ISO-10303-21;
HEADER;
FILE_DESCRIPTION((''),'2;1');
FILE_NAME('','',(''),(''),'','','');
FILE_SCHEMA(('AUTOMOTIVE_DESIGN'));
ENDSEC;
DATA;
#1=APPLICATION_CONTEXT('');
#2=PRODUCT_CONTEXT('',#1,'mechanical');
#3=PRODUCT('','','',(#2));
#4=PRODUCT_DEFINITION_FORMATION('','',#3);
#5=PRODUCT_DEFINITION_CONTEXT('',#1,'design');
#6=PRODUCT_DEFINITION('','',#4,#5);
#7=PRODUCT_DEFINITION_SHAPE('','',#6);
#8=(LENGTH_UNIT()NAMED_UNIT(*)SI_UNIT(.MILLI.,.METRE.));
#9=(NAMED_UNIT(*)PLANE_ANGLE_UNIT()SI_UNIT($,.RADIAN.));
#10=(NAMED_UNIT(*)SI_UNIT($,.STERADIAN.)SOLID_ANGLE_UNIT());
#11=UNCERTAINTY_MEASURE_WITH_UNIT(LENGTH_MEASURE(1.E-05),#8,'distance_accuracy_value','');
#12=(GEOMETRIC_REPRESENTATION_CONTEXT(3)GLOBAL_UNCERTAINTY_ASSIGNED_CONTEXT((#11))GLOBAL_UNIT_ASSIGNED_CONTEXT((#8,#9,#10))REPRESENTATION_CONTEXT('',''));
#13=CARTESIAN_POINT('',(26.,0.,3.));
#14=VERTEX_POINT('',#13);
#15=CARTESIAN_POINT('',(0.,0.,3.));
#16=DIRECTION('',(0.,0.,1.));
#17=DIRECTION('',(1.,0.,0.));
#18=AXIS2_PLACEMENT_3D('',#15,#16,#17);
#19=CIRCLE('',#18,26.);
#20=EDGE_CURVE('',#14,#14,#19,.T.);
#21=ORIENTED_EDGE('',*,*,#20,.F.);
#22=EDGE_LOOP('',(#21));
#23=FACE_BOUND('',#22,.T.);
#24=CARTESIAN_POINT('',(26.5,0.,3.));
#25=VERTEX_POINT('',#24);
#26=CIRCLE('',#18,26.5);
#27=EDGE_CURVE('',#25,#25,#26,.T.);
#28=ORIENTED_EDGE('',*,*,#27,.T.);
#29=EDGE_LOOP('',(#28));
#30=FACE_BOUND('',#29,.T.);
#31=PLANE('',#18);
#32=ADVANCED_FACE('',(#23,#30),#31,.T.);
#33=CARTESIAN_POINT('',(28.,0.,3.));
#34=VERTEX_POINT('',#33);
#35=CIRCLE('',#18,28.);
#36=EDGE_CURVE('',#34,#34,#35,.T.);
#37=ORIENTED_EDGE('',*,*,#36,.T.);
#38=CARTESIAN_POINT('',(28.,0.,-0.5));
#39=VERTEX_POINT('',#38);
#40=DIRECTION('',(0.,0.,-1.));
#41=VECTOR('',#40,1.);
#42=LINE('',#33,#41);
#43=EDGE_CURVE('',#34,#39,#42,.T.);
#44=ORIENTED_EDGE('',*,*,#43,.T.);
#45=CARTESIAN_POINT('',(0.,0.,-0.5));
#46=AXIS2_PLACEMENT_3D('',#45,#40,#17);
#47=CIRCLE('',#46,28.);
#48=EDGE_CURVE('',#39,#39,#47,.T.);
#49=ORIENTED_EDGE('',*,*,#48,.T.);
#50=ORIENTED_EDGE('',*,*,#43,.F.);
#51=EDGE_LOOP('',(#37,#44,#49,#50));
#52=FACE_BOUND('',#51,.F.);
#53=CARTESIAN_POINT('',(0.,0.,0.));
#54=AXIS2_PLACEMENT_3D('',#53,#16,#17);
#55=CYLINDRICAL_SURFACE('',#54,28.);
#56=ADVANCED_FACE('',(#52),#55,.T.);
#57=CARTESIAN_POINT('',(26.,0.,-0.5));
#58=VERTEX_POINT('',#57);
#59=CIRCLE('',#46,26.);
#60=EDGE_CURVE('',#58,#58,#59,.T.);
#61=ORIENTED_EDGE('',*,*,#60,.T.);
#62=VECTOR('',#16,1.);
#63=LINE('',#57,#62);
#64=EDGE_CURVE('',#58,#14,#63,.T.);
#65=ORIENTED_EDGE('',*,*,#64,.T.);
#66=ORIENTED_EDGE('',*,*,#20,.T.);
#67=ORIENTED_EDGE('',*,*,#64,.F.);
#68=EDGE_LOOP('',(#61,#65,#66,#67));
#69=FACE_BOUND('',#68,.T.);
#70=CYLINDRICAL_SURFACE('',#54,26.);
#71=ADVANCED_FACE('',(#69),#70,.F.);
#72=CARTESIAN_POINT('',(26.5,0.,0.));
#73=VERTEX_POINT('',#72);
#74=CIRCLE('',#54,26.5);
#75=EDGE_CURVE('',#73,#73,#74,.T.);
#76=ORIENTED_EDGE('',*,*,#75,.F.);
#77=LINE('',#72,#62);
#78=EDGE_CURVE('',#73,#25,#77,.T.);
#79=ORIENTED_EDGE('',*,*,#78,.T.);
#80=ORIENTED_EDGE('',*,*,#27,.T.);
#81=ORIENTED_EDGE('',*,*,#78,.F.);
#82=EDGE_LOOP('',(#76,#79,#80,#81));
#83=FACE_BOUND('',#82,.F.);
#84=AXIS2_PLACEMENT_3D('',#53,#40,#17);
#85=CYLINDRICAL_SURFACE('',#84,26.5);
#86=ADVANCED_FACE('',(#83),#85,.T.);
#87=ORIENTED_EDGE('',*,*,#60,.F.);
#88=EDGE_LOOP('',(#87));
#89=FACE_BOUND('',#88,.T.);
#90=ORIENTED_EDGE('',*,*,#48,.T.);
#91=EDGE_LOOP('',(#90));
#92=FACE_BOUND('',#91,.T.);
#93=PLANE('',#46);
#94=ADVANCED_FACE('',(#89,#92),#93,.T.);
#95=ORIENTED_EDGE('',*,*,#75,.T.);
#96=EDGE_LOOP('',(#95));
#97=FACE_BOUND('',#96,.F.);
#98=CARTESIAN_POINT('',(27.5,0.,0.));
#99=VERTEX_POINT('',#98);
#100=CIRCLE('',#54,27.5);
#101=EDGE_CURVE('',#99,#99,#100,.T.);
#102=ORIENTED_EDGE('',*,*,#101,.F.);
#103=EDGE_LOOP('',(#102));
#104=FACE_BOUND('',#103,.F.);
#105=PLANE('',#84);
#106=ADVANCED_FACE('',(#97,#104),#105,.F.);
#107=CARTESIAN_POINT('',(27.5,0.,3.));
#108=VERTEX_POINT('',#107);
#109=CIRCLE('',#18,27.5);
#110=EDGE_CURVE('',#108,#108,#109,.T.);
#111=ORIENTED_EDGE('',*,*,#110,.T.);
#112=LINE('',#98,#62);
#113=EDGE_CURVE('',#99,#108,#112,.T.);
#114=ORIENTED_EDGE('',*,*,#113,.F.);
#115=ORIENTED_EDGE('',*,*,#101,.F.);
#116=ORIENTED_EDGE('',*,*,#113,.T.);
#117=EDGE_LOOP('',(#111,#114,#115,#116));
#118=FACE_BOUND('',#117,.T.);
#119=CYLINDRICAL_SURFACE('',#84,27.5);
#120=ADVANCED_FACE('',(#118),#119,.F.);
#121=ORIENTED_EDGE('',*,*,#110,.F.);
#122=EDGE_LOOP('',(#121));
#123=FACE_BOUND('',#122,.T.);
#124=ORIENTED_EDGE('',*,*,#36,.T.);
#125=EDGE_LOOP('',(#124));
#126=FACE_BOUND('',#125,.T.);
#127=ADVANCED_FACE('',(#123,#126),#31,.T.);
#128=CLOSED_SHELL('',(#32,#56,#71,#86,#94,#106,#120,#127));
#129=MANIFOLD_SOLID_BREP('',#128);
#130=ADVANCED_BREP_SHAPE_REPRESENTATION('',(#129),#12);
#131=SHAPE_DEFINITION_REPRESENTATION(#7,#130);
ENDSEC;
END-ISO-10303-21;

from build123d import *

# Parameters (mm, degrees)
F0_R     = 28
F0_R_2   = 27.5
F0_R_3   = 26.5
F0_R_4   = 26
F1_DEPTH = 3
F2_R     = 28
F2_R_2   = 26
F3_DEPTH = 0.5


with BuildPart() as f1:
    # F0 (on Top) → F1 (new body)
    with BuildSketch(Plane.XY):
        Circle(F0_R)
        Circle(F0_R_2, mode=Mode.SUBTRACT)
        Circle(F0_R_3)
        Circle(F0_R_4, mode=Mode.SUBTRACT)
    extrude(amount=F1_DEPTH)

    # F2 (on face) → F3 (join)
    with BuildSketch(Plane(origin=(0, 0, 0), x_dir=(1, 0, 0), z_dir=(0, 0, -1))):
        Circle(F2_R)
        Circle(F2_R_2, mode=Mode.SUBTRACT)
    extrude(amount=F3_DEPTH)


solid = f1.part
